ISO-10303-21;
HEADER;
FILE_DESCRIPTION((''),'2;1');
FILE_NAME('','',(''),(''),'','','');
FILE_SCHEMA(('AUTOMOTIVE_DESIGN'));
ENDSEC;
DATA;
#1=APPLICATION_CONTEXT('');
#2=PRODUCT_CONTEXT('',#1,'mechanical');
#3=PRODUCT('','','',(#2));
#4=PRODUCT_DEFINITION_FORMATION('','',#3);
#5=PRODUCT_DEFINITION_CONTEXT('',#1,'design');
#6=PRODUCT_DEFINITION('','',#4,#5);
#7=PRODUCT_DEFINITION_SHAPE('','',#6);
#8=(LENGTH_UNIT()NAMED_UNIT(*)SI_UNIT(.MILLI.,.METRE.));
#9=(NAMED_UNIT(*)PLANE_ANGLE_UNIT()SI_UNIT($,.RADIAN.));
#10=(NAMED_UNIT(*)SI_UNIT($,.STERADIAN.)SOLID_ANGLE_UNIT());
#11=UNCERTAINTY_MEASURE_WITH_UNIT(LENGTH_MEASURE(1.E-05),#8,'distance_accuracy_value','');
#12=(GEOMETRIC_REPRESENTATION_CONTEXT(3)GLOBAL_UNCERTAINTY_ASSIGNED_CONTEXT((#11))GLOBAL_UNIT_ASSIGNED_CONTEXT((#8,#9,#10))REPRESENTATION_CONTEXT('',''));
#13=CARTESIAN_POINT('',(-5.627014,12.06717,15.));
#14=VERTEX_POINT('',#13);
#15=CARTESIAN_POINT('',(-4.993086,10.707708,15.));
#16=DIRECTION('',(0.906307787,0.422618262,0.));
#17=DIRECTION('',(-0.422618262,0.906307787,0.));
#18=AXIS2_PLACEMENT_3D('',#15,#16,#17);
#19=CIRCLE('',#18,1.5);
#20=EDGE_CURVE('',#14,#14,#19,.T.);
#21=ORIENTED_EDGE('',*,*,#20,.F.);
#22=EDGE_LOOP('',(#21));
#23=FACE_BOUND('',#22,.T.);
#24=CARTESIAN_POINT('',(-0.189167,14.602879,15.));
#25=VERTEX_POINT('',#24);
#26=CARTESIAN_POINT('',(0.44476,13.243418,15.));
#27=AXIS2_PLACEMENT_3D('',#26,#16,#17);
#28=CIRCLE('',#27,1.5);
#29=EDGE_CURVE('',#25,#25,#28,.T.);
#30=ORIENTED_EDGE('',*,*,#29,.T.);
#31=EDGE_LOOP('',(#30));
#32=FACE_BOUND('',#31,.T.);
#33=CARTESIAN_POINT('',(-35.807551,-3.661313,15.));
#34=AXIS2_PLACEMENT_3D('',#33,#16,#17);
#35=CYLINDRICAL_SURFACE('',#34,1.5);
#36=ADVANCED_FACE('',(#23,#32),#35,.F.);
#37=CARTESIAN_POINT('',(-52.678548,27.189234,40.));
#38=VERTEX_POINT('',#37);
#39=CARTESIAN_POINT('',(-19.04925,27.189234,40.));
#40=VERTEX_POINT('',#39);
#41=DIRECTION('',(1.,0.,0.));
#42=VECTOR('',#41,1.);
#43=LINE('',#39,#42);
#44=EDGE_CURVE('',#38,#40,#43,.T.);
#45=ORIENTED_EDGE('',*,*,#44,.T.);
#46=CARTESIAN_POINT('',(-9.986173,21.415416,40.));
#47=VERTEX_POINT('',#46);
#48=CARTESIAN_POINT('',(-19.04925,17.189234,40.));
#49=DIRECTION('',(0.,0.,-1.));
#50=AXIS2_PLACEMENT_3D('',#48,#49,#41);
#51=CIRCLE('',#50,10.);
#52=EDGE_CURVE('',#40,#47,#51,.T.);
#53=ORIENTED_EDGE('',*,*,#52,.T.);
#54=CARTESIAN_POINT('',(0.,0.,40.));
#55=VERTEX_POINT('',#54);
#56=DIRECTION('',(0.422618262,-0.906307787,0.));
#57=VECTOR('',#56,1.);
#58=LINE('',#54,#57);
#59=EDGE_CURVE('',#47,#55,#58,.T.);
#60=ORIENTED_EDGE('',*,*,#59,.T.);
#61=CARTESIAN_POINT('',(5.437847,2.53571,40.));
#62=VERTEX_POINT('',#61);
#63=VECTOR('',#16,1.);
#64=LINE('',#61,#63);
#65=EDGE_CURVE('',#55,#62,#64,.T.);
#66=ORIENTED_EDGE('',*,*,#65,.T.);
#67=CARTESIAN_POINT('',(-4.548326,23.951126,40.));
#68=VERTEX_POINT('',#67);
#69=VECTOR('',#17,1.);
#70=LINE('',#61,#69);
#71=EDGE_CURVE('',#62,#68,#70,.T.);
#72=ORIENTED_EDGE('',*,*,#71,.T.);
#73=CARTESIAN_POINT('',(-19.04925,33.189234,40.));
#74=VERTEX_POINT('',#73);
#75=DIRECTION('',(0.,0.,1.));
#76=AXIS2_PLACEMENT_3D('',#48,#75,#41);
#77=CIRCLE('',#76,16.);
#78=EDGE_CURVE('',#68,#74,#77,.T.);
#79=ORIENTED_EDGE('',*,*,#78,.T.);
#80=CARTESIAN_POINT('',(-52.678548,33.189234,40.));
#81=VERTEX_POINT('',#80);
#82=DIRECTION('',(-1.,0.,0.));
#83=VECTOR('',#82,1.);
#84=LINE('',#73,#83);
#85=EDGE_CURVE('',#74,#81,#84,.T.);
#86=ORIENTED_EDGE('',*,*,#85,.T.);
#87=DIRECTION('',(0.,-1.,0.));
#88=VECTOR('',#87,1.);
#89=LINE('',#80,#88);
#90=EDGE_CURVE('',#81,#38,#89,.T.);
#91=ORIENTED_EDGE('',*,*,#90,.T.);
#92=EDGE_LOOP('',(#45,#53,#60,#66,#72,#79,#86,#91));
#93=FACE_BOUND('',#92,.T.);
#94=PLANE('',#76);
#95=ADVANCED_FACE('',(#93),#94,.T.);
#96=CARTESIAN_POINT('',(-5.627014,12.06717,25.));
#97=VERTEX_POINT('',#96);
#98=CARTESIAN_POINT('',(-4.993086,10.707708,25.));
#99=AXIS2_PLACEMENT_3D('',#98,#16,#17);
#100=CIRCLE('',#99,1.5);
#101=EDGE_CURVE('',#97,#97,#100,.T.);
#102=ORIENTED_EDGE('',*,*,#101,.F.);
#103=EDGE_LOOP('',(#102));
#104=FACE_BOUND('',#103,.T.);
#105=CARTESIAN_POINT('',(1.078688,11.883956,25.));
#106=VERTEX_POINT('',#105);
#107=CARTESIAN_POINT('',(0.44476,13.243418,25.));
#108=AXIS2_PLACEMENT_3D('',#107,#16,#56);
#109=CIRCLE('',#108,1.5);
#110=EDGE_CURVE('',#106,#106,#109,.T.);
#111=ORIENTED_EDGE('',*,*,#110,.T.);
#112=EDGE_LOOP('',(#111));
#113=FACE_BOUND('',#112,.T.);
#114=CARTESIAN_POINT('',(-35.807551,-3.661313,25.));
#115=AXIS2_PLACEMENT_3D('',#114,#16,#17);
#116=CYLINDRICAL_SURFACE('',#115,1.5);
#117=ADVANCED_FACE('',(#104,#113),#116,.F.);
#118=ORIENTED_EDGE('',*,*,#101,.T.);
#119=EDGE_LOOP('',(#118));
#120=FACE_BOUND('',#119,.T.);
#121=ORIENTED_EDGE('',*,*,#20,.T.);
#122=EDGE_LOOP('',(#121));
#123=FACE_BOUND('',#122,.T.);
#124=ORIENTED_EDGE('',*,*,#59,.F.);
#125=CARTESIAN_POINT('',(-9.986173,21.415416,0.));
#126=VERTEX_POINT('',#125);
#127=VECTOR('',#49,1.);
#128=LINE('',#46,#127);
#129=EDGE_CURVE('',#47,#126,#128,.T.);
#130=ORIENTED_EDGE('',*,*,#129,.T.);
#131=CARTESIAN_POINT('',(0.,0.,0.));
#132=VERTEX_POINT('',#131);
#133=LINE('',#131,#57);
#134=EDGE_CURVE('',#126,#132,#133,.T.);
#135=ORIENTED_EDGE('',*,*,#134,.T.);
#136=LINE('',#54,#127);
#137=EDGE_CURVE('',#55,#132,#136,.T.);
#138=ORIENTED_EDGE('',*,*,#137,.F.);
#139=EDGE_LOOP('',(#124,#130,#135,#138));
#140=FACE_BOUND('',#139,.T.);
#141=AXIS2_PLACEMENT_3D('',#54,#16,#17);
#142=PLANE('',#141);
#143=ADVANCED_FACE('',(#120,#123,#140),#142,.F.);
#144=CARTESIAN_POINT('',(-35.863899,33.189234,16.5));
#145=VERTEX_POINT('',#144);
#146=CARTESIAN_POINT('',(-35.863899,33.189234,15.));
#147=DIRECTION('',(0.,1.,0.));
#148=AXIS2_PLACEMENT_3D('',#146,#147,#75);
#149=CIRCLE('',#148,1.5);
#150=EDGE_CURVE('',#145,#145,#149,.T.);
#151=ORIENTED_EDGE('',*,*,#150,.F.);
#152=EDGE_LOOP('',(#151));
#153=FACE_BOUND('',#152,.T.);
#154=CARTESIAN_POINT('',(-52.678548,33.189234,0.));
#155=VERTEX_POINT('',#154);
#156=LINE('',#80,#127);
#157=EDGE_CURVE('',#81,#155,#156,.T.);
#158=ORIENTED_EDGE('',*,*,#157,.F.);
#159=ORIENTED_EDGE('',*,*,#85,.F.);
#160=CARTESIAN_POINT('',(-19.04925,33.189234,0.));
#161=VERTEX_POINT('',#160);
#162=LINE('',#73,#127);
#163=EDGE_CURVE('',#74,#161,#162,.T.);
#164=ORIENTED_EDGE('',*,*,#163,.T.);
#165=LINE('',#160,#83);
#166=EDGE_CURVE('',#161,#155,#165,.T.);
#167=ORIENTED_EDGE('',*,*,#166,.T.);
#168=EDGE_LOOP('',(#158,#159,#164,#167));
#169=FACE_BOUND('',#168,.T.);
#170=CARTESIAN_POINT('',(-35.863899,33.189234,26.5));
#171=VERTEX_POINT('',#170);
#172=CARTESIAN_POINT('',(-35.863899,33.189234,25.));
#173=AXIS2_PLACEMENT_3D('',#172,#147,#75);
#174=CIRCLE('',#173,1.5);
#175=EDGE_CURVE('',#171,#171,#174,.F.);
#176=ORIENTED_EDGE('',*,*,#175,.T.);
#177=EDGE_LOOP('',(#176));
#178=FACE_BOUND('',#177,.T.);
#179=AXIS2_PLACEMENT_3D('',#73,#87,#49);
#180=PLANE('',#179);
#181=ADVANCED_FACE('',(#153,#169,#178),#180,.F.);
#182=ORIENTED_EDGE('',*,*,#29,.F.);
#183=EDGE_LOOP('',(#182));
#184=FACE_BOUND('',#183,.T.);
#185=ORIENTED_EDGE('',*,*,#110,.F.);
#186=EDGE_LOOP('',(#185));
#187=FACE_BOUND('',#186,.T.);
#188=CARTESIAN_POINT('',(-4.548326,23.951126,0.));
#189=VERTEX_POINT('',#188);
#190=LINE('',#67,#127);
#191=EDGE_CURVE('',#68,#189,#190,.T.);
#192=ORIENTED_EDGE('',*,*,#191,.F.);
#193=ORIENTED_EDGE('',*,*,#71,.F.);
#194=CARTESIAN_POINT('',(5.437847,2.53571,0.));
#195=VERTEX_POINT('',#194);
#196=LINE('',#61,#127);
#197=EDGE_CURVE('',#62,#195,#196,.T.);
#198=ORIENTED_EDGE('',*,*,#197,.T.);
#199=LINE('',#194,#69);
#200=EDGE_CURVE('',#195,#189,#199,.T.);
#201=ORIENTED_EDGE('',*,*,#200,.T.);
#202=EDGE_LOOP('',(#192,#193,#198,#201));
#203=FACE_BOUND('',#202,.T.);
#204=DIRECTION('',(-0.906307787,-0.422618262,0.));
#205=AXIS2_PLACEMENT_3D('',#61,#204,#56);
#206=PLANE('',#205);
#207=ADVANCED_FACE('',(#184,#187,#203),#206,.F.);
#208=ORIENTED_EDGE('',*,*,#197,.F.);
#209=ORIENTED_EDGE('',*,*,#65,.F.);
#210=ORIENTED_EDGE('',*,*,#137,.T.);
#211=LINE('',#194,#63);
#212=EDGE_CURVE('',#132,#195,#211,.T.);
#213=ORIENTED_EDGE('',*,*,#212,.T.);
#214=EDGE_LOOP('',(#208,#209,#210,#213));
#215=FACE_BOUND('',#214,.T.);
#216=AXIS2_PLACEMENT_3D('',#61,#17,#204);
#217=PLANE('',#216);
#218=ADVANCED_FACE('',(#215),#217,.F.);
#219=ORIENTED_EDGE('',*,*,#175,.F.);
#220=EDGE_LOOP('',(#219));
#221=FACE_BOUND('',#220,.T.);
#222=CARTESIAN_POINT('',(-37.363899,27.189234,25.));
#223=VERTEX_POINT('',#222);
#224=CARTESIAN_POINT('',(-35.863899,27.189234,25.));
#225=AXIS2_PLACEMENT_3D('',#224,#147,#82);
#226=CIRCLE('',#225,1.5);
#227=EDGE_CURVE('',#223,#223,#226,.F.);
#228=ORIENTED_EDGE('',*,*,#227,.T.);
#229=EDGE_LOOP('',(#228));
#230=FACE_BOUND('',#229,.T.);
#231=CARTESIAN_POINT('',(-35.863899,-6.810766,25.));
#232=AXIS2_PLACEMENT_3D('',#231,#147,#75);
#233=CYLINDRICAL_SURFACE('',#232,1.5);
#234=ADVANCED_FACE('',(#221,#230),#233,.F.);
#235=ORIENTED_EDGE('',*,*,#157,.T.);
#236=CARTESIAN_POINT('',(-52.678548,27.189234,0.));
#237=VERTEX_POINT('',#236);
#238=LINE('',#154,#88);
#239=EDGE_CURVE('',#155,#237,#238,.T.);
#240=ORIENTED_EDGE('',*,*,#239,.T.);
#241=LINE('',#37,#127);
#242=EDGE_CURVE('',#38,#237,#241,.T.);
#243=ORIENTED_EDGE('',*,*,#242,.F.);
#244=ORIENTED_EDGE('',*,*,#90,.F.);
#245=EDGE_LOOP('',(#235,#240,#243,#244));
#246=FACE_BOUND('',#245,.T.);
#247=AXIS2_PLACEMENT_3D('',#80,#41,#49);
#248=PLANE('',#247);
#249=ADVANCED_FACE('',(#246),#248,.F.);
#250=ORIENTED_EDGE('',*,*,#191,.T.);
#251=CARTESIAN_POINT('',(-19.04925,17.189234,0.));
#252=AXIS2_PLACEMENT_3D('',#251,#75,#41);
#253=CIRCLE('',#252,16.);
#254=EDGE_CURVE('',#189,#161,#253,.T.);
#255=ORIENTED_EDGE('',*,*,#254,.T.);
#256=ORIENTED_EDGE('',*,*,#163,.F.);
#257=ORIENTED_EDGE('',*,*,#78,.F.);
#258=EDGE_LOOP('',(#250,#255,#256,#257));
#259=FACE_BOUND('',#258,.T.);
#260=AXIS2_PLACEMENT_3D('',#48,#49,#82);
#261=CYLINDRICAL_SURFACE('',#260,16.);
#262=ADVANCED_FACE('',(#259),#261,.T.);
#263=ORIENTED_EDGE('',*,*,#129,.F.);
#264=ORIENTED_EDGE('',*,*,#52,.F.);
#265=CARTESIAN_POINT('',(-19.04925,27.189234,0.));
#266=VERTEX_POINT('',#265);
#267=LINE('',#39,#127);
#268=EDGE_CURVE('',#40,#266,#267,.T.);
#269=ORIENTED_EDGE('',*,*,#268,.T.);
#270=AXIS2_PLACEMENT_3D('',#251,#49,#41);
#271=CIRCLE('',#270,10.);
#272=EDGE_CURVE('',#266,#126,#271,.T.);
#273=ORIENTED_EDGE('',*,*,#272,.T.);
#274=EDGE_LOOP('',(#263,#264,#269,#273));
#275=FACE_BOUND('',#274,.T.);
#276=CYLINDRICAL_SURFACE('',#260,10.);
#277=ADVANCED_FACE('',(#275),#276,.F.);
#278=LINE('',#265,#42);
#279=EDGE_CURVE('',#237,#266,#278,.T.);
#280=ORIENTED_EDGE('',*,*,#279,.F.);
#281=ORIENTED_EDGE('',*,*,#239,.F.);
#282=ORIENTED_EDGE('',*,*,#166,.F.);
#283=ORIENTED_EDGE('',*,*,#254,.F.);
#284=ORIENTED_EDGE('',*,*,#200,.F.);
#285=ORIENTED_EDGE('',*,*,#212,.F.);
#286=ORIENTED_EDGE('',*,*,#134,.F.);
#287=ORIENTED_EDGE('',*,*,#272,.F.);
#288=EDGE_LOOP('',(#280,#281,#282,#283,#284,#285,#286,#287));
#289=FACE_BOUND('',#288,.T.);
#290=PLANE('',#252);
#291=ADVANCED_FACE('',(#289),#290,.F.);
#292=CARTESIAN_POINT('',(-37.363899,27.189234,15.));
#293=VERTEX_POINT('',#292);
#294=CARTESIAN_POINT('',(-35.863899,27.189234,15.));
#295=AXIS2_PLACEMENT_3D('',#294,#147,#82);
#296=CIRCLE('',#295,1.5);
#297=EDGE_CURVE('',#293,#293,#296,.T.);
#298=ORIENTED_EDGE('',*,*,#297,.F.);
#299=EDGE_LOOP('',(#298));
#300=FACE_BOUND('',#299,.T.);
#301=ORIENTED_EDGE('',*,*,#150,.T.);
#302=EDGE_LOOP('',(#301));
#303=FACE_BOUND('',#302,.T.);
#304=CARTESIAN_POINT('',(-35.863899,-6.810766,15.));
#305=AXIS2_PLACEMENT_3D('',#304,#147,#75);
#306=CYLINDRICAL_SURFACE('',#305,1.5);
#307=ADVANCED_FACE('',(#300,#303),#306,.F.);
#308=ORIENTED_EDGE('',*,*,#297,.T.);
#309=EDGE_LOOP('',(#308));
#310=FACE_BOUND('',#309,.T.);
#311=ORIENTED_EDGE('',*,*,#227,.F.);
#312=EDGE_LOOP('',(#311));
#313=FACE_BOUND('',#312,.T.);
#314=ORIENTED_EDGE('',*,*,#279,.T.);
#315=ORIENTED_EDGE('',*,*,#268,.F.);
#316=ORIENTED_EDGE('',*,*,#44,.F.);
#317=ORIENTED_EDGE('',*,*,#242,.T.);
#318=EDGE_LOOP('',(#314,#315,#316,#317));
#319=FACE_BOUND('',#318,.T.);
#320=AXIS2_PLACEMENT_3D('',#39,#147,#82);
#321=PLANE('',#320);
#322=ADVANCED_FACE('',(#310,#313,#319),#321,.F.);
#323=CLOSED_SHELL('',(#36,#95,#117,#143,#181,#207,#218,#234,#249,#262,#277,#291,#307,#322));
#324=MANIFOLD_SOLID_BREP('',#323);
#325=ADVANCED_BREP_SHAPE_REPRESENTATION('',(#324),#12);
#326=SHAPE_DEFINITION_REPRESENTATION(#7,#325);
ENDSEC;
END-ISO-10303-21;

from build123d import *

# Parameters (mm, degrees)
BOSS_EXTRUDE1_DEPTH = 40
SKETCH2_R           = 1.5
CUT_EXTRUDE1_DEPTH  = 40
SKETCH3_R           = 1.5
CUT_EXTRUDE2_DEPTH  = 40


with BuildPart() as part:
    # Sketch1 → Boss-Extrude1 (new body)
    with BuildSketch(Plane.XY):
        with BuildLine():
            Line((0, 0), (-9.98617259, 21.415416229))
            ThreePointArc((-9.98617259, 21.415416229), (-13.676254377, 25.623148069), (-19.04925046, 27.189233611))
            Line((-19.04925046, 27.189233611), (-52.678547852, 27.189233611))
            Line((-52.678547852, 27.189233611), (-52.678547852, 33.189233611))
            Line((-52.678547852, 33.189233611), (-19.04925046, 33.189233611))
            ThreePointArc((-19.04925046, 33.189233611), (-10.452456727, 30.683496744), (-4.548325868, 23.951125799))
            Line((-4.548325868, 23.951125799), (5.437846722, 2.53570957))
            Line((5.437846722, 2.53570957), (0, 0))
        make_face()
    extrude(amount=BOSS_EXTRUDE1_DEPTH)

    # Sketch2 → Cut-Extrude1 (cut)
    with BuildSketch(Plane(origin=(0, 33.189233611, 0), x_dir=(1, 0, 0), z_dir=(0, 1, 0))):
        with Locations(Location((-35.863899156, -15, 0), (0, 0, 270))):
            Circle(SKETCH2_R)
        with Locations(Location((-35.863899156, -25, 0), (0, 0, 270))):
            Circle(SKETCH2_R)
    extrude(amount=-CUT_EXTRUDE1_DEPTH, mode=Mode.SUBTRACT)

    # Sketch3 → Cut-Extrude2 (cut)
    with BuildSketch(Plane(origin=(5.437846722, 2.53570957, 0), x_dir=(0, 0, -1), z_dir=(0.906307787036651, 0.42261826174069705, 0))):
        with Locations(Location((-15, 11.814648696, 0), (0, 0, 90))):
            Circle(SKETCH3_R)
        with Locations(Location((-25, 11.814648696, 0), (0, 0, 90))):
            Circle(SKETCH3_R)
    extrude(amount=-CUT_EXTRUDE2_DEPTH, mode=Mode.SUBTRACT)


solid = part.part
